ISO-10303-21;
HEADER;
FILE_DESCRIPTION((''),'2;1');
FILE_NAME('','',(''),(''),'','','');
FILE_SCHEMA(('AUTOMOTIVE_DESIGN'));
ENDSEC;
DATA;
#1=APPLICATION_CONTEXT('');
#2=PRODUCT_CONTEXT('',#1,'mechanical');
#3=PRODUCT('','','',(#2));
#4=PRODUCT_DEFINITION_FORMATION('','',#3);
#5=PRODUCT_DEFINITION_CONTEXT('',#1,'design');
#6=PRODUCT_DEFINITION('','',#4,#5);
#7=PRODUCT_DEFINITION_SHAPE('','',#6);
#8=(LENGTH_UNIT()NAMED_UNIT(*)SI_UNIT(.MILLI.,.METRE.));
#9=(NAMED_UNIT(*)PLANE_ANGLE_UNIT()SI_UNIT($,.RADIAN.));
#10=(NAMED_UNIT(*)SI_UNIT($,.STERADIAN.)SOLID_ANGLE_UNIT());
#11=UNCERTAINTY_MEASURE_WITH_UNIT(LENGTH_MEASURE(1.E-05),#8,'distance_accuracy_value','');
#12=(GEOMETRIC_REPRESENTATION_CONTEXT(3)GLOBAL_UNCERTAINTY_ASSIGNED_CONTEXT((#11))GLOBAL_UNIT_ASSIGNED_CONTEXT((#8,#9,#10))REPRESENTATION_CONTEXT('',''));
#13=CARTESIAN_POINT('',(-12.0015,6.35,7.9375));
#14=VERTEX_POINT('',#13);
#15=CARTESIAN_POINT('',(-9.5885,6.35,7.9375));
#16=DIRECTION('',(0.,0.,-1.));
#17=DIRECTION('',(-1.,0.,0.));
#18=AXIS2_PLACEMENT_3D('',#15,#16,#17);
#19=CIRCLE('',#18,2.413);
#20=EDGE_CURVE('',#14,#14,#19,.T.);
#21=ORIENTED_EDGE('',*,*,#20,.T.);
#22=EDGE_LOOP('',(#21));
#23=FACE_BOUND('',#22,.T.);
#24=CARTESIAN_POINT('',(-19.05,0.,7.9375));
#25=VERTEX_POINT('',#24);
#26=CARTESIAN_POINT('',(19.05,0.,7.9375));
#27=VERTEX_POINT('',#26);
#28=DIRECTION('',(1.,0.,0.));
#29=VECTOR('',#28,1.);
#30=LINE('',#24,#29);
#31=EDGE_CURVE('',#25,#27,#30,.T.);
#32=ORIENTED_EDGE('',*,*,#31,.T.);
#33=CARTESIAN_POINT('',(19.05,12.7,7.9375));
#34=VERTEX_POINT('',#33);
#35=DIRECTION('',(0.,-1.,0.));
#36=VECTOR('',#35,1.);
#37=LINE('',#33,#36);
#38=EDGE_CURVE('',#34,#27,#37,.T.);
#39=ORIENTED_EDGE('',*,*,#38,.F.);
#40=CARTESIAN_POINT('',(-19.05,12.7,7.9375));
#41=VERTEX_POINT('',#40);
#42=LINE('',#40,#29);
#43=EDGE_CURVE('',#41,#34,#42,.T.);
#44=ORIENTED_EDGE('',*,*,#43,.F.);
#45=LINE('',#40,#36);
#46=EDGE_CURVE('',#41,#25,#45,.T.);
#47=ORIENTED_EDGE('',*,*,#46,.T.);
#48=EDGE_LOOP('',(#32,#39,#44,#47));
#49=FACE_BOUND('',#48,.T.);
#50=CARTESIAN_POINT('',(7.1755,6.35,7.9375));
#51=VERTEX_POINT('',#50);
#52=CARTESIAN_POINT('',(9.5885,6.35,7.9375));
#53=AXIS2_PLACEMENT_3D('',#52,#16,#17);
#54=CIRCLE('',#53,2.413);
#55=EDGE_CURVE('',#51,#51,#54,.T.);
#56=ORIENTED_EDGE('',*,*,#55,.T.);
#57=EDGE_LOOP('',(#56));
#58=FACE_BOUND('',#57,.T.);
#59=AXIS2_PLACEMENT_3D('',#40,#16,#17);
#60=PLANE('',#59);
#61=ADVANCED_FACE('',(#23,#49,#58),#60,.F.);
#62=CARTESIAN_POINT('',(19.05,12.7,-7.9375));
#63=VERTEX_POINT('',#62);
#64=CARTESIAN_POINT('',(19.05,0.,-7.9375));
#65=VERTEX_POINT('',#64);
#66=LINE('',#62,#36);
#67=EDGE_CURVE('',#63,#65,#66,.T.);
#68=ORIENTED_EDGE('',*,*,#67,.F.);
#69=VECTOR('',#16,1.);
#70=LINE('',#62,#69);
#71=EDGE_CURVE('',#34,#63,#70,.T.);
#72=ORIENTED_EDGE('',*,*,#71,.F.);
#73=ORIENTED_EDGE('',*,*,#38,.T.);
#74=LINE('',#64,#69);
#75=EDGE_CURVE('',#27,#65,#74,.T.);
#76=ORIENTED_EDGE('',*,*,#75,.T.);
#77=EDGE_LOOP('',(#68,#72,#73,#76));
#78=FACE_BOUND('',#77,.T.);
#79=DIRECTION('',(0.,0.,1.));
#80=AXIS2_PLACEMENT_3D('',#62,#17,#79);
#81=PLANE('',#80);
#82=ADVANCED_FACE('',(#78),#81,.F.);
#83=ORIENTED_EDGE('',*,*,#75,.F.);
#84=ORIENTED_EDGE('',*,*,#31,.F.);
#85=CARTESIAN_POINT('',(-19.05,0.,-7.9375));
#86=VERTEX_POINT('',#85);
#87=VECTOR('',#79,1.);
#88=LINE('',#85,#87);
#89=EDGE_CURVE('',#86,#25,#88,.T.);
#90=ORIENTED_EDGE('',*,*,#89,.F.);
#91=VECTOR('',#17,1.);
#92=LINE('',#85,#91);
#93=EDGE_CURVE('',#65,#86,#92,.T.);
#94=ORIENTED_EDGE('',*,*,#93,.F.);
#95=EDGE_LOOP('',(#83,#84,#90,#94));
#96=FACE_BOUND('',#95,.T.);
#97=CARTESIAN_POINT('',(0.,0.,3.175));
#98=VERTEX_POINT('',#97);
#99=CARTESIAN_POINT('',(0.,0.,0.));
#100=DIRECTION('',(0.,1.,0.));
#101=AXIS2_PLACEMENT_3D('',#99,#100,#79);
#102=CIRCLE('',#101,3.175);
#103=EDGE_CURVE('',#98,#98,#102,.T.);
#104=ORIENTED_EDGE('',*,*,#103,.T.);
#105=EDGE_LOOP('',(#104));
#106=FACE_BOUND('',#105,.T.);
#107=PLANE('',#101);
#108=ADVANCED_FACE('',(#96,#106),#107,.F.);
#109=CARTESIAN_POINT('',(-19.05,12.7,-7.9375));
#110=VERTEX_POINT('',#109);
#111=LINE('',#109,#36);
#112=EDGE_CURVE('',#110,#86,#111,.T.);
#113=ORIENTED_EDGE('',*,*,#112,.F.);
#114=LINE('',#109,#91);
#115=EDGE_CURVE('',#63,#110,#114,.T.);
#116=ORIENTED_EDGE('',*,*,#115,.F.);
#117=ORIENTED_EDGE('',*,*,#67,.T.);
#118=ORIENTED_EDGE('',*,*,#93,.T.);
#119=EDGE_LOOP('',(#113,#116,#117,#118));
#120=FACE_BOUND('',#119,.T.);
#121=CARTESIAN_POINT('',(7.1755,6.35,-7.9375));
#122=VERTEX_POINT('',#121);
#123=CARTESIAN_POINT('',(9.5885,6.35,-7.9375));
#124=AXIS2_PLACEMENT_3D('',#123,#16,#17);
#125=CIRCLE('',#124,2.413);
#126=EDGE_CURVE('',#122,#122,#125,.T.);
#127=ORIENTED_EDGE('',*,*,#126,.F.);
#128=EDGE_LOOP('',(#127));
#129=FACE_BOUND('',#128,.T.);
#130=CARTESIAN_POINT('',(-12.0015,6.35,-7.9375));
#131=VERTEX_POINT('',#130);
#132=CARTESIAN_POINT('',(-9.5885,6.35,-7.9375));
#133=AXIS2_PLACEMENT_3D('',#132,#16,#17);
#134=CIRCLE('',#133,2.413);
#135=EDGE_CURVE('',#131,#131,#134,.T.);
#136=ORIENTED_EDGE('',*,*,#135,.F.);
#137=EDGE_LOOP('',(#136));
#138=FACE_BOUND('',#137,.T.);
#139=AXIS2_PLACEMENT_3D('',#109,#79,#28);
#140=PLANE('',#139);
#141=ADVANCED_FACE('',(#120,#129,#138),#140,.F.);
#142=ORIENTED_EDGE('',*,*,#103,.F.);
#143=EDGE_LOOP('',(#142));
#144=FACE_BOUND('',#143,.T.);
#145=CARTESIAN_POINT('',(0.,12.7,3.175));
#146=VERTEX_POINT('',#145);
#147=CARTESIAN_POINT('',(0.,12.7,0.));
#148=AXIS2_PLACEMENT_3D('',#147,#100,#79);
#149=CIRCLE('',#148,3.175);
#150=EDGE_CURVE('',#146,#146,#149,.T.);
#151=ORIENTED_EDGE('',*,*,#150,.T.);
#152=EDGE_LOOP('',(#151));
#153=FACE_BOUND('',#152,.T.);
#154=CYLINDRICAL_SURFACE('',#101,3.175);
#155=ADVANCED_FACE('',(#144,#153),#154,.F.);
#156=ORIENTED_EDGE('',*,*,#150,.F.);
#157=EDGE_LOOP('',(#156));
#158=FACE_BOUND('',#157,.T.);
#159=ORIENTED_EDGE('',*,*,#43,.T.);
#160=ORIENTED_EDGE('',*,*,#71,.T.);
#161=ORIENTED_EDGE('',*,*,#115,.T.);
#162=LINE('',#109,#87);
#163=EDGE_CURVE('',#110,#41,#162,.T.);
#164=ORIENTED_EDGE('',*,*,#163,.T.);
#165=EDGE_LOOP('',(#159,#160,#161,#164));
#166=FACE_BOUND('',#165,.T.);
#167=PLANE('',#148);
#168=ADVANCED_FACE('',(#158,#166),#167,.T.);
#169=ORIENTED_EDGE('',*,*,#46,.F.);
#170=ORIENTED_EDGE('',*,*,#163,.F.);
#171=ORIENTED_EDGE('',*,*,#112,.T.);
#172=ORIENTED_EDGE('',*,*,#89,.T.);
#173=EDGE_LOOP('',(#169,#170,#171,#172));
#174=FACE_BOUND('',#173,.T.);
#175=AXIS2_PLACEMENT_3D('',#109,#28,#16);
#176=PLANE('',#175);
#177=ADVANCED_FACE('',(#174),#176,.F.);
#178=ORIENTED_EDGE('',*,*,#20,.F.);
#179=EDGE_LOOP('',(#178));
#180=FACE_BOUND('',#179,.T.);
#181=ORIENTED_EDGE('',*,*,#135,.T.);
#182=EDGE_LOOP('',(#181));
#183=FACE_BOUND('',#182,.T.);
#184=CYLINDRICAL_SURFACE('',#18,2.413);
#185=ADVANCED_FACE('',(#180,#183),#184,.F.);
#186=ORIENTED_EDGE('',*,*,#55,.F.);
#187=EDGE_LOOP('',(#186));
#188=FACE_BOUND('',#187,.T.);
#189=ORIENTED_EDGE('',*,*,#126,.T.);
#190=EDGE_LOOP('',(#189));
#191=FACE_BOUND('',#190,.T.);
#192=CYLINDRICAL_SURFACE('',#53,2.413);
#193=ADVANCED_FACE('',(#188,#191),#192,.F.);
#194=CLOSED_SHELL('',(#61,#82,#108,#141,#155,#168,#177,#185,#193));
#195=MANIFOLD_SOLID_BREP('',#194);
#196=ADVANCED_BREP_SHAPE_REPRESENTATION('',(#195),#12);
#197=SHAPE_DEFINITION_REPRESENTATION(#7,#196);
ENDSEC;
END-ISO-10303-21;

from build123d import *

# Parameters (mm, degrees)
SKETCH1_W           = 38.1
SKETCH1_H           = 15.875
BOSS_EXTRUDE1_DEPTH = 12.7
SKETCH2_R           = 2.413
CUT_EXTRUDE1_DEPTH  = 16.875
SKETCH3_R           = 3.175
CUT_EXTRUDE2_DEPTH  = 13.7


with BuildPart() as part:
    # Sketch1 → Boss-Extrude1 (new body)
    with BuildSketch(Plane(origin=(0, 0, 0), x_dir=(1, 0, 0), z_dir=(0, 1, 0))):
        Rectangle(SKETCH1_W, SKETCH1_H)
    extrude(amount=BOSS_EXTRUDE1_DEPTH)

    # Sketch2 → Cut-Extrude1 (cut, through all)
    with BuildSketch(Plane(origin=(0, 0, -7.9375), x_dir=(-1, 0, 0), z_dir=(0, 0, -1))):
        with Locations((-9.5885, 6.35)):
            Circle(SKETCH2_R)
        with Locations((9.5885, 6.35)):
            Circle(SKETCH2_R)
    extrude(amount=-CUT_EXTRUDE1_DEPTH, mode=Mode.SUBTRACT)

    # Sketch3 → Cut-Extrude2 (cut, through all)
    with BuildSketch(Plane(origin=(0, 12.7, 0), x_dir=(1, 0, 0), z_dir=(0, 1, 0))):
        Circle(SKETCH3_R)
    extrude(amount=-CUT_EXTRUDE2_DEPTH, mode=Mode.SUBTRACT)


solid = part.part
